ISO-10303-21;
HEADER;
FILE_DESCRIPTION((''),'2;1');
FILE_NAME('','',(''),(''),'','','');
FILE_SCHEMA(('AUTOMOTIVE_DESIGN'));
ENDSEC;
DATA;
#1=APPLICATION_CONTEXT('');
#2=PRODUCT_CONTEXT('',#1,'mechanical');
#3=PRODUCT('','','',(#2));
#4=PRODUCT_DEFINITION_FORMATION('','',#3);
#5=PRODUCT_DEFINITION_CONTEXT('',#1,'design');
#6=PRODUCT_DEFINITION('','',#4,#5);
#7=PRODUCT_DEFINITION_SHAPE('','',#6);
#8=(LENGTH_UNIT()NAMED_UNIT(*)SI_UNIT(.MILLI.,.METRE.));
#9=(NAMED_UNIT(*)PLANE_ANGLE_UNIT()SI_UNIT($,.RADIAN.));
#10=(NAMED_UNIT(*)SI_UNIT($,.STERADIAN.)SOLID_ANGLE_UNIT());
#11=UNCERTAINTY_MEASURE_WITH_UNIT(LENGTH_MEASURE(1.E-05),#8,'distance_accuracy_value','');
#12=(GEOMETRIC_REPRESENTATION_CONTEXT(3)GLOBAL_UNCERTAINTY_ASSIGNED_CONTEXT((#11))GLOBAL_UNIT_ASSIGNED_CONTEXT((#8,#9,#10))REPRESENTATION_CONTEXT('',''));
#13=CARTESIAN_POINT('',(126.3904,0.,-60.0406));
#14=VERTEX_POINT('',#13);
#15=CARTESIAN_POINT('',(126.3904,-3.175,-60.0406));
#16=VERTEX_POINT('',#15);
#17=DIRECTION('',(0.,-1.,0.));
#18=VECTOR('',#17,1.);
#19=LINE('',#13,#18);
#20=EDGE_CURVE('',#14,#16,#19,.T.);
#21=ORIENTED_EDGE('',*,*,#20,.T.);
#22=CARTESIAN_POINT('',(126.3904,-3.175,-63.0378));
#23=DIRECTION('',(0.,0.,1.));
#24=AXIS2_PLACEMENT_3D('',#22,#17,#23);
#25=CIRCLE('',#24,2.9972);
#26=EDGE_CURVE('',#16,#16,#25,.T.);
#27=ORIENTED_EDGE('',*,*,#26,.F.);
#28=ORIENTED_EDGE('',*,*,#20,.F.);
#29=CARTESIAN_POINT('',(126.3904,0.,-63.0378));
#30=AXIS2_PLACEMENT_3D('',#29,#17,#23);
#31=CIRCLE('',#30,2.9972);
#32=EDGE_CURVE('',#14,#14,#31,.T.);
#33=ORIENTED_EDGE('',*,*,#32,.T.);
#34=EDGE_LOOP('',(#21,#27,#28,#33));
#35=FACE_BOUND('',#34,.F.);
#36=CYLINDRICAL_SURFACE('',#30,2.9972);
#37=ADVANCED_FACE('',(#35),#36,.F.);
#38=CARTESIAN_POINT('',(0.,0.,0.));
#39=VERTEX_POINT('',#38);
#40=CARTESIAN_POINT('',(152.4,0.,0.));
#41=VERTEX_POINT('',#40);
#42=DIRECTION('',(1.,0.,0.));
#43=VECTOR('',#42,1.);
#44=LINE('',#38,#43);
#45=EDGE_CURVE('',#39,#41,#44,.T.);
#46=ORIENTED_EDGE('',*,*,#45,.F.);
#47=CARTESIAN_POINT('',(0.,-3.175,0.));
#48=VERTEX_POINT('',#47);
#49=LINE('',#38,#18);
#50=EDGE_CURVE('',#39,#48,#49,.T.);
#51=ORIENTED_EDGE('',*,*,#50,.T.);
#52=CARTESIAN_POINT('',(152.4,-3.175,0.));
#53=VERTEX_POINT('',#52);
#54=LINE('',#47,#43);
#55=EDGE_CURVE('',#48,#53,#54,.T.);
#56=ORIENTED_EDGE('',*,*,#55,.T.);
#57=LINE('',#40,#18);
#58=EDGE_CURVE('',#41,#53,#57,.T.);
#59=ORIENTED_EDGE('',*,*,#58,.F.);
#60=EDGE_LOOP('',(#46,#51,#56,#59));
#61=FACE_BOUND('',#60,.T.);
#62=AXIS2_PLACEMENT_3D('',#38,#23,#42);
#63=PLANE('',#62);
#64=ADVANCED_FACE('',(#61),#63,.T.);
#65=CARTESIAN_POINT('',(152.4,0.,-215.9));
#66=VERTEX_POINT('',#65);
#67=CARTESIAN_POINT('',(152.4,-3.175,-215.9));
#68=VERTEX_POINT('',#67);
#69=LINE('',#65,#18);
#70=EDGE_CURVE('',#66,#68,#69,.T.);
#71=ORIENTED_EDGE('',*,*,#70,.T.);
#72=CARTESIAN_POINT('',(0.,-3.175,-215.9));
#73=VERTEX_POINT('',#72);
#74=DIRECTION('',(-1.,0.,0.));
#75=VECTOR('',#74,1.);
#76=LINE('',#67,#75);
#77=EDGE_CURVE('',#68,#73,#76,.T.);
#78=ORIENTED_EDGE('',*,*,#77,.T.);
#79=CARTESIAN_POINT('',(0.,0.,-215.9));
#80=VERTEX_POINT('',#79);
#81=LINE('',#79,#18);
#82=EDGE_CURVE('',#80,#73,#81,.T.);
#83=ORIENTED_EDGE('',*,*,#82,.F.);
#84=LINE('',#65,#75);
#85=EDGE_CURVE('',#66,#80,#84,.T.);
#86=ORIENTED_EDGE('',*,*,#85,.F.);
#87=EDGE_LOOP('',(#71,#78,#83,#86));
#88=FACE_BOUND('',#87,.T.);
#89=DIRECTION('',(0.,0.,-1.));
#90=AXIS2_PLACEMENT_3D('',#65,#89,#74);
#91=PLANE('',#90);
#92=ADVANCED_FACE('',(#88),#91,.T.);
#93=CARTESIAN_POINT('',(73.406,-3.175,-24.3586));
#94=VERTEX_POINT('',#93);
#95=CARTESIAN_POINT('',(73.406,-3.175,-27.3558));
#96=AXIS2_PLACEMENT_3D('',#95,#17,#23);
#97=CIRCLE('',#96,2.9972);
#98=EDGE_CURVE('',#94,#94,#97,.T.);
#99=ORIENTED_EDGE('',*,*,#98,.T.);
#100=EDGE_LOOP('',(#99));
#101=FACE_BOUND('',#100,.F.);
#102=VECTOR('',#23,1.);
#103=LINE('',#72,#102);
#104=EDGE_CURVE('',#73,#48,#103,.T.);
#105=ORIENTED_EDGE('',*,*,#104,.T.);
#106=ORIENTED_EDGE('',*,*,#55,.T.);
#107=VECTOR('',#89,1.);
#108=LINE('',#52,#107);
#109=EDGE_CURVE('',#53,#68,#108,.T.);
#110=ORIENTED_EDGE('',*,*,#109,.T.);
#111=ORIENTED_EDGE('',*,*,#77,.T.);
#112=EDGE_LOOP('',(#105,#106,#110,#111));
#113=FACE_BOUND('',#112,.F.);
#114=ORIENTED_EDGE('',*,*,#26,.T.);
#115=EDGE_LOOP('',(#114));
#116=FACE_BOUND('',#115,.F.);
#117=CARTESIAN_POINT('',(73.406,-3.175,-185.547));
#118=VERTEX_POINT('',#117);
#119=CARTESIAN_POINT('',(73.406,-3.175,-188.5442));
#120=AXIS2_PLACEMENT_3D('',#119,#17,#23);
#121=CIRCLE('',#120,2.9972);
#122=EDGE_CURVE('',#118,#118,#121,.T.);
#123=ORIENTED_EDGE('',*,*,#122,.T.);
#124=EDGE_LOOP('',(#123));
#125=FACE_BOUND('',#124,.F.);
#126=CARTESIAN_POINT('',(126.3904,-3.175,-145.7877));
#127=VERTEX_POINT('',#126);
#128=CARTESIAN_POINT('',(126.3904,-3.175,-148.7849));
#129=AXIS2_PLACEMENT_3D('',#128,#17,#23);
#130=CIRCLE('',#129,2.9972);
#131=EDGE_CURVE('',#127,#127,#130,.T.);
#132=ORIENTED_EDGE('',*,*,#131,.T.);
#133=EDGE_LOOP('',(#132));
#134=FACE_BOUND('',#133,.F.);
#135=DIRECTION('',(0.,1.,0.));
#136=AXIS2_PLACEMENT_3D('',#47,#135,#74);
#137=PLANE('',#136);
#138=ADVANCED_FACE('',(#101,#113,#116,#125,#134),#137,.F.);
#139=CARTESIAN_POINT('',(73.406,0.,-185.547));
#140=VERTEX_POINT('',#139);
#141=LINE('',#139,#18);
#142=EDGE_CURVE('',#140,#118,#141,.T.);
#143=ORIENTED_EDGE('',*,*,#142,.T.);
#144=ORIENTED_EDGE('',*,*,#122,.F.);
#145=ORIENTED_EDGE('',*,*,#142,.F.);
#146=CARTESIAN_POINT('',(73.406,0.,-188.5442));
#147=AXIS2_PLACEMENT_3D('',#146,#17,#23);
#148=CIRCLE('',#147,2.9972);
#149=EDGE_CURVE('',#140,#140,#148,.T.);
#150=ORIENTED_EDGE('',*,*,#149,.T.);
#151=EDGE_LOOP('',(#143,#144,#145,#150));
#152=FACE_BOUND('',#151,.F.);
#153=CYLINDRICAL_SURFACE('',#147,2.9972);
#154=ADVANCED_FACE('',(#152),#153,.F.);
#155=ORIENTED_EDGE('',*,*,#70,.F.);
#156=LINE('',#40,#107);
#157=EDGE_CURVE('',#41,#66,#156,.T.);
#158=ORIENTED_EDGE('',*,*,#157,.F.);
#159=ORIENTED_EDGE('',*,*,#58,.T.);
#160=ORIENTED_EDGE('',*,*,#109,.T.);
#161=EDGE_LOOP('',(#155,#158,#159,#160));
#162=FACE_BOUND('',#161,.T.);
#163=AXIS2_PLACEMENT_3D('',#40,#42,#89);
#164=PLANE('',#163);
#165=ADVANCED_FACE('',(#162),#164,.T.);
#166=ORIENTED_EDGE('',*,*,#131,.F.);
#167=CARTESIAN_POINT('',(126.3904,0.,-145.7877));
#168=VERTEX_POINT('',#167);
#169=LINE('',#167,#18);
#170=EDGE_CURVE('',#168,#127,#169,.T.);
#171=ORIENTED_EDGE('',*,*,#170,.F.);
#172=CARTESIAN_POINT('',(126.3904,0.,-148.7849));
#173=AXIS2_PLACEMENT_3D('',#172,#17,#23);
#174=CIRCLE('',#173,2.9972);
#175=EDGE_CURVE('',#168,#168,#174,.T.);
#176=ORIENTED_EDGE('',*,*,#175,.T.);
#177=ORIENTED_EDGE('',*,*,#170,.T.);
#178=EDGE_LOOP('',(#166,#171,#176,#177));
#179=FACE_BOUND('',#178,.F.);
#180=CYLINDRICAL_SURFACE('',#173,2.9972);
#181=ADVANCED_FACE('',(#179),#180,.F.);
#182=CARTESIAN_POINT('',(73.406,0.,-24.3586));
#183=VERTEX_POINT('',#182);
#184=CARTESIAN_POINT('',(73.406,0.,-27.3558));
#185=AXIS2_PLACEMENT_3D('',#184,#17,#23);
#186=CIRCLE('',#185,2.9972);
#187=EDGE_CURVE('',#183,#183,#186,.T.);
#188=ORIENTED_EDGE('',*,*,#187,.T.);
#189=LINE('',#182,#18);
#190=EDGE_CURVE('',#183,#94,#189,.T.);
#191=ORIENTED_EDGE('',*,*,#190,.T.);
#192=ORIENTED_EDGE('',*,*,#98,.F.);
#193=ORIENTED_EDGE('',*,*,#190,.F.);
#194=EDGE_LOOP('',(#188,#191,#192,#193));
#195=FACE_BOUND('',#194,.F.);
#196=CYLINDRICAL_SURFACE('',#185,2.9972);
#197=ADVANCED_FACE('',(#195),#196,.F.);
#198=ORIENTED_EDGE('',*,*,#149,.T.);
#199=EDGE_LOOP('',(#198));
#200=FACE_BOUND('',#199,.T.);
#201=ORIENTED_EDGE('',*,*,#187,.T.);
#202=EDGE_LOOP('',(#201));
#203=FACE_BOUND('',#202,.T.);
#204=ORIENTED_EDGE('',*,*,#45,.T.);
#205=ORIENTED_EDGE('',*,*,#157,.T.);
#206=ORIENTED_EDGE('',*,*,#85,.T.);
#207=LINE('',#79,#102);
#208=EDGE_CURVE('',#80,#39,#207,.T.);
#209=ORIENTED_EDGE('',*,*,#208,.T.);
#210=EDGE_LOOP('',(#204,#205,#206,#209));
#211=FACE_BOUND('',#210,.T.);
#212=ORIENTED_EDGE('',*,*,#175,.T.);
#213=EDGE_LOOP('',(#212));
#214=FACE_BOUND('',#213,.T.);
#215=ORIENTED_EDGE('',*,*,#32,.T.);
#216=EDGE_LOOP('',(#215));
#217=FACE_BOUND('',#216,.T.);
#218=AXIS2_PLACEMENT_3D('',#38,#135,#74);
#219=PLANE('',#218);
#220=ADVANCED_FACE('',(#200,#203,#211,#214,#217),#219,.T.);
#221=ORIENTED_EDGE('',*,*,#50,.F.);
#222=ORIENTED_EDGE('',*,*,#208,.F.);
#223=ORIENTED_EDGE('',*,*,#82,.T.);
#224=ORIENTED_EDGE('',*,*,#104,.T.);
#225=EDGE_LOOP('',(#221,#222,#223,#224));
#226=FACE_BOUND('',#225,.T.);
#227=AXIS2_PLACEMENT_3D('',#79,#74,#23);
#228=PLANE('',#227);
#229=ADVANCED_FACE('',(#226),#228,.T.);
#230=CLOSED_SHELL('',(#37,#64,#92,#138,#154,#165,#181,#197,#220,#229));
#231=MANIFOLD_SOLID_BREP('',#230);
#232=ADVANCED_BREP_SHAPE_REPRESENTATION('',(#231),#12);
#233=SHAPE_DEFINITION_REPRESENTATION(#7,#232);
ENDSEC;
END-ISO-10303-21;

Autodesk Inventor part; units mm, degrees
ref_plane "YZ Plane" through (0, 0, 0) normal (1, 0, 0) x (0, 1, 0)
ref_plane "XZ Plane" through (0, 0, 0) normal (0, 1, 0) x (-1, 0, 0)
ref_plane "XY Plane" through (0, 0, 0) normal (0, 0, 1) x (1, 0, 0)
sketch "Sketch3" plane through (0, 0, 0) normal (0, 1, 0) x (-1, 0, 0)
  line L0 (0, 0) -> (-152.4, 0)
  line L1 (-152.4, 0) -> (-152.4, -215.9)
  line L2 (-152.4, -215.9) -> (0, -215.9)
  line L3 (0, -215.9) -> (0, 0)
  dimension "d8" = 152.4
  dimension "d9" = 215.9
extrude "Extrusion1" add sketch "Sketch3" against normal blind 3.175
sketch "Sketch4" plane through (0, 0, 0) normal (0, 1, 0) x (1, 0, 0)
  line L0 (152.4, 0) -> (152.4, 215.9) projected
  line L1 (0, 0) -> (152.4, 0) projected
  line L2 (152.4, 215.9) -> (0, 215.9) projected
  point P0 (126.3904, 63.0378)
  point P1 (126.3904, 148.7849)
  point P2 (73.406, 188.5442)
  point P3 (73.406, 27.3558)
  dimension "d12" = 26.0096
  dimension "d13" = 26.0096
  dimension "d14" = 78.994
  dimension "d15" = 78.994
  dimension "d16" = 27.3558
  dimension "d17" = 27.3558
  dimension "d29" = 63.0378
  dimension "d30" = 67.1151
hole "Hole1" at (126.3904, 0, -63.0378) at (126.3904, 0, -148.7849) at (73.406, 0, -188.5442) at (73.406, 0, -27.3558) direction (0, -1, 0) diameter 5.9944 end through all
sketch "Sketch5" plane through (0, 0, 0) normal (0, 1, 0) x (1, 0, 0)
  circle A0 centre (126.3904, 148.7849) radius 2.9972 projected
  circle A1 centre (126.3904, 148.7849) radius 6.477
  circle A2 centre (126.3904, 63.0378) radius 2.9972 projected
  circle A3 centre (126.3904, 63.0378) radius 6.477
  circle A4 centre (73.406, 27.3558) radius 2.9972 projected
  circle A5 centre (73.406, 27.3558) radius 10.9855
  circle A6 centre (73.406, 188.5442) radius 2.9972 projected
  circle A7 centre (73.406, 188.5442) radius 10.9855
  line L0 (131.1992, 58.6988) -> (80.1831, 18.7099)
  line L1 (132.8674, 63.0378) -> (132.8674, 148.7849)
  line L2 (80.1831, 197.1901) -> (129.3876, 154.5267)
  line L3 (62.4205, 27.3558) -> (62.4205, 188.5442)
  point P0 (0, 0)
  dimension "d25" = 12.954
  dimension "d26" = 12.954
  dimension "d27" = 21.971
  dimension "d28" = 21.971
equation "\"d13\" = d12"
equation "\"d15\" = d14"
equation "\"d17\" = d16"
properties part number "recreated v of plate"
